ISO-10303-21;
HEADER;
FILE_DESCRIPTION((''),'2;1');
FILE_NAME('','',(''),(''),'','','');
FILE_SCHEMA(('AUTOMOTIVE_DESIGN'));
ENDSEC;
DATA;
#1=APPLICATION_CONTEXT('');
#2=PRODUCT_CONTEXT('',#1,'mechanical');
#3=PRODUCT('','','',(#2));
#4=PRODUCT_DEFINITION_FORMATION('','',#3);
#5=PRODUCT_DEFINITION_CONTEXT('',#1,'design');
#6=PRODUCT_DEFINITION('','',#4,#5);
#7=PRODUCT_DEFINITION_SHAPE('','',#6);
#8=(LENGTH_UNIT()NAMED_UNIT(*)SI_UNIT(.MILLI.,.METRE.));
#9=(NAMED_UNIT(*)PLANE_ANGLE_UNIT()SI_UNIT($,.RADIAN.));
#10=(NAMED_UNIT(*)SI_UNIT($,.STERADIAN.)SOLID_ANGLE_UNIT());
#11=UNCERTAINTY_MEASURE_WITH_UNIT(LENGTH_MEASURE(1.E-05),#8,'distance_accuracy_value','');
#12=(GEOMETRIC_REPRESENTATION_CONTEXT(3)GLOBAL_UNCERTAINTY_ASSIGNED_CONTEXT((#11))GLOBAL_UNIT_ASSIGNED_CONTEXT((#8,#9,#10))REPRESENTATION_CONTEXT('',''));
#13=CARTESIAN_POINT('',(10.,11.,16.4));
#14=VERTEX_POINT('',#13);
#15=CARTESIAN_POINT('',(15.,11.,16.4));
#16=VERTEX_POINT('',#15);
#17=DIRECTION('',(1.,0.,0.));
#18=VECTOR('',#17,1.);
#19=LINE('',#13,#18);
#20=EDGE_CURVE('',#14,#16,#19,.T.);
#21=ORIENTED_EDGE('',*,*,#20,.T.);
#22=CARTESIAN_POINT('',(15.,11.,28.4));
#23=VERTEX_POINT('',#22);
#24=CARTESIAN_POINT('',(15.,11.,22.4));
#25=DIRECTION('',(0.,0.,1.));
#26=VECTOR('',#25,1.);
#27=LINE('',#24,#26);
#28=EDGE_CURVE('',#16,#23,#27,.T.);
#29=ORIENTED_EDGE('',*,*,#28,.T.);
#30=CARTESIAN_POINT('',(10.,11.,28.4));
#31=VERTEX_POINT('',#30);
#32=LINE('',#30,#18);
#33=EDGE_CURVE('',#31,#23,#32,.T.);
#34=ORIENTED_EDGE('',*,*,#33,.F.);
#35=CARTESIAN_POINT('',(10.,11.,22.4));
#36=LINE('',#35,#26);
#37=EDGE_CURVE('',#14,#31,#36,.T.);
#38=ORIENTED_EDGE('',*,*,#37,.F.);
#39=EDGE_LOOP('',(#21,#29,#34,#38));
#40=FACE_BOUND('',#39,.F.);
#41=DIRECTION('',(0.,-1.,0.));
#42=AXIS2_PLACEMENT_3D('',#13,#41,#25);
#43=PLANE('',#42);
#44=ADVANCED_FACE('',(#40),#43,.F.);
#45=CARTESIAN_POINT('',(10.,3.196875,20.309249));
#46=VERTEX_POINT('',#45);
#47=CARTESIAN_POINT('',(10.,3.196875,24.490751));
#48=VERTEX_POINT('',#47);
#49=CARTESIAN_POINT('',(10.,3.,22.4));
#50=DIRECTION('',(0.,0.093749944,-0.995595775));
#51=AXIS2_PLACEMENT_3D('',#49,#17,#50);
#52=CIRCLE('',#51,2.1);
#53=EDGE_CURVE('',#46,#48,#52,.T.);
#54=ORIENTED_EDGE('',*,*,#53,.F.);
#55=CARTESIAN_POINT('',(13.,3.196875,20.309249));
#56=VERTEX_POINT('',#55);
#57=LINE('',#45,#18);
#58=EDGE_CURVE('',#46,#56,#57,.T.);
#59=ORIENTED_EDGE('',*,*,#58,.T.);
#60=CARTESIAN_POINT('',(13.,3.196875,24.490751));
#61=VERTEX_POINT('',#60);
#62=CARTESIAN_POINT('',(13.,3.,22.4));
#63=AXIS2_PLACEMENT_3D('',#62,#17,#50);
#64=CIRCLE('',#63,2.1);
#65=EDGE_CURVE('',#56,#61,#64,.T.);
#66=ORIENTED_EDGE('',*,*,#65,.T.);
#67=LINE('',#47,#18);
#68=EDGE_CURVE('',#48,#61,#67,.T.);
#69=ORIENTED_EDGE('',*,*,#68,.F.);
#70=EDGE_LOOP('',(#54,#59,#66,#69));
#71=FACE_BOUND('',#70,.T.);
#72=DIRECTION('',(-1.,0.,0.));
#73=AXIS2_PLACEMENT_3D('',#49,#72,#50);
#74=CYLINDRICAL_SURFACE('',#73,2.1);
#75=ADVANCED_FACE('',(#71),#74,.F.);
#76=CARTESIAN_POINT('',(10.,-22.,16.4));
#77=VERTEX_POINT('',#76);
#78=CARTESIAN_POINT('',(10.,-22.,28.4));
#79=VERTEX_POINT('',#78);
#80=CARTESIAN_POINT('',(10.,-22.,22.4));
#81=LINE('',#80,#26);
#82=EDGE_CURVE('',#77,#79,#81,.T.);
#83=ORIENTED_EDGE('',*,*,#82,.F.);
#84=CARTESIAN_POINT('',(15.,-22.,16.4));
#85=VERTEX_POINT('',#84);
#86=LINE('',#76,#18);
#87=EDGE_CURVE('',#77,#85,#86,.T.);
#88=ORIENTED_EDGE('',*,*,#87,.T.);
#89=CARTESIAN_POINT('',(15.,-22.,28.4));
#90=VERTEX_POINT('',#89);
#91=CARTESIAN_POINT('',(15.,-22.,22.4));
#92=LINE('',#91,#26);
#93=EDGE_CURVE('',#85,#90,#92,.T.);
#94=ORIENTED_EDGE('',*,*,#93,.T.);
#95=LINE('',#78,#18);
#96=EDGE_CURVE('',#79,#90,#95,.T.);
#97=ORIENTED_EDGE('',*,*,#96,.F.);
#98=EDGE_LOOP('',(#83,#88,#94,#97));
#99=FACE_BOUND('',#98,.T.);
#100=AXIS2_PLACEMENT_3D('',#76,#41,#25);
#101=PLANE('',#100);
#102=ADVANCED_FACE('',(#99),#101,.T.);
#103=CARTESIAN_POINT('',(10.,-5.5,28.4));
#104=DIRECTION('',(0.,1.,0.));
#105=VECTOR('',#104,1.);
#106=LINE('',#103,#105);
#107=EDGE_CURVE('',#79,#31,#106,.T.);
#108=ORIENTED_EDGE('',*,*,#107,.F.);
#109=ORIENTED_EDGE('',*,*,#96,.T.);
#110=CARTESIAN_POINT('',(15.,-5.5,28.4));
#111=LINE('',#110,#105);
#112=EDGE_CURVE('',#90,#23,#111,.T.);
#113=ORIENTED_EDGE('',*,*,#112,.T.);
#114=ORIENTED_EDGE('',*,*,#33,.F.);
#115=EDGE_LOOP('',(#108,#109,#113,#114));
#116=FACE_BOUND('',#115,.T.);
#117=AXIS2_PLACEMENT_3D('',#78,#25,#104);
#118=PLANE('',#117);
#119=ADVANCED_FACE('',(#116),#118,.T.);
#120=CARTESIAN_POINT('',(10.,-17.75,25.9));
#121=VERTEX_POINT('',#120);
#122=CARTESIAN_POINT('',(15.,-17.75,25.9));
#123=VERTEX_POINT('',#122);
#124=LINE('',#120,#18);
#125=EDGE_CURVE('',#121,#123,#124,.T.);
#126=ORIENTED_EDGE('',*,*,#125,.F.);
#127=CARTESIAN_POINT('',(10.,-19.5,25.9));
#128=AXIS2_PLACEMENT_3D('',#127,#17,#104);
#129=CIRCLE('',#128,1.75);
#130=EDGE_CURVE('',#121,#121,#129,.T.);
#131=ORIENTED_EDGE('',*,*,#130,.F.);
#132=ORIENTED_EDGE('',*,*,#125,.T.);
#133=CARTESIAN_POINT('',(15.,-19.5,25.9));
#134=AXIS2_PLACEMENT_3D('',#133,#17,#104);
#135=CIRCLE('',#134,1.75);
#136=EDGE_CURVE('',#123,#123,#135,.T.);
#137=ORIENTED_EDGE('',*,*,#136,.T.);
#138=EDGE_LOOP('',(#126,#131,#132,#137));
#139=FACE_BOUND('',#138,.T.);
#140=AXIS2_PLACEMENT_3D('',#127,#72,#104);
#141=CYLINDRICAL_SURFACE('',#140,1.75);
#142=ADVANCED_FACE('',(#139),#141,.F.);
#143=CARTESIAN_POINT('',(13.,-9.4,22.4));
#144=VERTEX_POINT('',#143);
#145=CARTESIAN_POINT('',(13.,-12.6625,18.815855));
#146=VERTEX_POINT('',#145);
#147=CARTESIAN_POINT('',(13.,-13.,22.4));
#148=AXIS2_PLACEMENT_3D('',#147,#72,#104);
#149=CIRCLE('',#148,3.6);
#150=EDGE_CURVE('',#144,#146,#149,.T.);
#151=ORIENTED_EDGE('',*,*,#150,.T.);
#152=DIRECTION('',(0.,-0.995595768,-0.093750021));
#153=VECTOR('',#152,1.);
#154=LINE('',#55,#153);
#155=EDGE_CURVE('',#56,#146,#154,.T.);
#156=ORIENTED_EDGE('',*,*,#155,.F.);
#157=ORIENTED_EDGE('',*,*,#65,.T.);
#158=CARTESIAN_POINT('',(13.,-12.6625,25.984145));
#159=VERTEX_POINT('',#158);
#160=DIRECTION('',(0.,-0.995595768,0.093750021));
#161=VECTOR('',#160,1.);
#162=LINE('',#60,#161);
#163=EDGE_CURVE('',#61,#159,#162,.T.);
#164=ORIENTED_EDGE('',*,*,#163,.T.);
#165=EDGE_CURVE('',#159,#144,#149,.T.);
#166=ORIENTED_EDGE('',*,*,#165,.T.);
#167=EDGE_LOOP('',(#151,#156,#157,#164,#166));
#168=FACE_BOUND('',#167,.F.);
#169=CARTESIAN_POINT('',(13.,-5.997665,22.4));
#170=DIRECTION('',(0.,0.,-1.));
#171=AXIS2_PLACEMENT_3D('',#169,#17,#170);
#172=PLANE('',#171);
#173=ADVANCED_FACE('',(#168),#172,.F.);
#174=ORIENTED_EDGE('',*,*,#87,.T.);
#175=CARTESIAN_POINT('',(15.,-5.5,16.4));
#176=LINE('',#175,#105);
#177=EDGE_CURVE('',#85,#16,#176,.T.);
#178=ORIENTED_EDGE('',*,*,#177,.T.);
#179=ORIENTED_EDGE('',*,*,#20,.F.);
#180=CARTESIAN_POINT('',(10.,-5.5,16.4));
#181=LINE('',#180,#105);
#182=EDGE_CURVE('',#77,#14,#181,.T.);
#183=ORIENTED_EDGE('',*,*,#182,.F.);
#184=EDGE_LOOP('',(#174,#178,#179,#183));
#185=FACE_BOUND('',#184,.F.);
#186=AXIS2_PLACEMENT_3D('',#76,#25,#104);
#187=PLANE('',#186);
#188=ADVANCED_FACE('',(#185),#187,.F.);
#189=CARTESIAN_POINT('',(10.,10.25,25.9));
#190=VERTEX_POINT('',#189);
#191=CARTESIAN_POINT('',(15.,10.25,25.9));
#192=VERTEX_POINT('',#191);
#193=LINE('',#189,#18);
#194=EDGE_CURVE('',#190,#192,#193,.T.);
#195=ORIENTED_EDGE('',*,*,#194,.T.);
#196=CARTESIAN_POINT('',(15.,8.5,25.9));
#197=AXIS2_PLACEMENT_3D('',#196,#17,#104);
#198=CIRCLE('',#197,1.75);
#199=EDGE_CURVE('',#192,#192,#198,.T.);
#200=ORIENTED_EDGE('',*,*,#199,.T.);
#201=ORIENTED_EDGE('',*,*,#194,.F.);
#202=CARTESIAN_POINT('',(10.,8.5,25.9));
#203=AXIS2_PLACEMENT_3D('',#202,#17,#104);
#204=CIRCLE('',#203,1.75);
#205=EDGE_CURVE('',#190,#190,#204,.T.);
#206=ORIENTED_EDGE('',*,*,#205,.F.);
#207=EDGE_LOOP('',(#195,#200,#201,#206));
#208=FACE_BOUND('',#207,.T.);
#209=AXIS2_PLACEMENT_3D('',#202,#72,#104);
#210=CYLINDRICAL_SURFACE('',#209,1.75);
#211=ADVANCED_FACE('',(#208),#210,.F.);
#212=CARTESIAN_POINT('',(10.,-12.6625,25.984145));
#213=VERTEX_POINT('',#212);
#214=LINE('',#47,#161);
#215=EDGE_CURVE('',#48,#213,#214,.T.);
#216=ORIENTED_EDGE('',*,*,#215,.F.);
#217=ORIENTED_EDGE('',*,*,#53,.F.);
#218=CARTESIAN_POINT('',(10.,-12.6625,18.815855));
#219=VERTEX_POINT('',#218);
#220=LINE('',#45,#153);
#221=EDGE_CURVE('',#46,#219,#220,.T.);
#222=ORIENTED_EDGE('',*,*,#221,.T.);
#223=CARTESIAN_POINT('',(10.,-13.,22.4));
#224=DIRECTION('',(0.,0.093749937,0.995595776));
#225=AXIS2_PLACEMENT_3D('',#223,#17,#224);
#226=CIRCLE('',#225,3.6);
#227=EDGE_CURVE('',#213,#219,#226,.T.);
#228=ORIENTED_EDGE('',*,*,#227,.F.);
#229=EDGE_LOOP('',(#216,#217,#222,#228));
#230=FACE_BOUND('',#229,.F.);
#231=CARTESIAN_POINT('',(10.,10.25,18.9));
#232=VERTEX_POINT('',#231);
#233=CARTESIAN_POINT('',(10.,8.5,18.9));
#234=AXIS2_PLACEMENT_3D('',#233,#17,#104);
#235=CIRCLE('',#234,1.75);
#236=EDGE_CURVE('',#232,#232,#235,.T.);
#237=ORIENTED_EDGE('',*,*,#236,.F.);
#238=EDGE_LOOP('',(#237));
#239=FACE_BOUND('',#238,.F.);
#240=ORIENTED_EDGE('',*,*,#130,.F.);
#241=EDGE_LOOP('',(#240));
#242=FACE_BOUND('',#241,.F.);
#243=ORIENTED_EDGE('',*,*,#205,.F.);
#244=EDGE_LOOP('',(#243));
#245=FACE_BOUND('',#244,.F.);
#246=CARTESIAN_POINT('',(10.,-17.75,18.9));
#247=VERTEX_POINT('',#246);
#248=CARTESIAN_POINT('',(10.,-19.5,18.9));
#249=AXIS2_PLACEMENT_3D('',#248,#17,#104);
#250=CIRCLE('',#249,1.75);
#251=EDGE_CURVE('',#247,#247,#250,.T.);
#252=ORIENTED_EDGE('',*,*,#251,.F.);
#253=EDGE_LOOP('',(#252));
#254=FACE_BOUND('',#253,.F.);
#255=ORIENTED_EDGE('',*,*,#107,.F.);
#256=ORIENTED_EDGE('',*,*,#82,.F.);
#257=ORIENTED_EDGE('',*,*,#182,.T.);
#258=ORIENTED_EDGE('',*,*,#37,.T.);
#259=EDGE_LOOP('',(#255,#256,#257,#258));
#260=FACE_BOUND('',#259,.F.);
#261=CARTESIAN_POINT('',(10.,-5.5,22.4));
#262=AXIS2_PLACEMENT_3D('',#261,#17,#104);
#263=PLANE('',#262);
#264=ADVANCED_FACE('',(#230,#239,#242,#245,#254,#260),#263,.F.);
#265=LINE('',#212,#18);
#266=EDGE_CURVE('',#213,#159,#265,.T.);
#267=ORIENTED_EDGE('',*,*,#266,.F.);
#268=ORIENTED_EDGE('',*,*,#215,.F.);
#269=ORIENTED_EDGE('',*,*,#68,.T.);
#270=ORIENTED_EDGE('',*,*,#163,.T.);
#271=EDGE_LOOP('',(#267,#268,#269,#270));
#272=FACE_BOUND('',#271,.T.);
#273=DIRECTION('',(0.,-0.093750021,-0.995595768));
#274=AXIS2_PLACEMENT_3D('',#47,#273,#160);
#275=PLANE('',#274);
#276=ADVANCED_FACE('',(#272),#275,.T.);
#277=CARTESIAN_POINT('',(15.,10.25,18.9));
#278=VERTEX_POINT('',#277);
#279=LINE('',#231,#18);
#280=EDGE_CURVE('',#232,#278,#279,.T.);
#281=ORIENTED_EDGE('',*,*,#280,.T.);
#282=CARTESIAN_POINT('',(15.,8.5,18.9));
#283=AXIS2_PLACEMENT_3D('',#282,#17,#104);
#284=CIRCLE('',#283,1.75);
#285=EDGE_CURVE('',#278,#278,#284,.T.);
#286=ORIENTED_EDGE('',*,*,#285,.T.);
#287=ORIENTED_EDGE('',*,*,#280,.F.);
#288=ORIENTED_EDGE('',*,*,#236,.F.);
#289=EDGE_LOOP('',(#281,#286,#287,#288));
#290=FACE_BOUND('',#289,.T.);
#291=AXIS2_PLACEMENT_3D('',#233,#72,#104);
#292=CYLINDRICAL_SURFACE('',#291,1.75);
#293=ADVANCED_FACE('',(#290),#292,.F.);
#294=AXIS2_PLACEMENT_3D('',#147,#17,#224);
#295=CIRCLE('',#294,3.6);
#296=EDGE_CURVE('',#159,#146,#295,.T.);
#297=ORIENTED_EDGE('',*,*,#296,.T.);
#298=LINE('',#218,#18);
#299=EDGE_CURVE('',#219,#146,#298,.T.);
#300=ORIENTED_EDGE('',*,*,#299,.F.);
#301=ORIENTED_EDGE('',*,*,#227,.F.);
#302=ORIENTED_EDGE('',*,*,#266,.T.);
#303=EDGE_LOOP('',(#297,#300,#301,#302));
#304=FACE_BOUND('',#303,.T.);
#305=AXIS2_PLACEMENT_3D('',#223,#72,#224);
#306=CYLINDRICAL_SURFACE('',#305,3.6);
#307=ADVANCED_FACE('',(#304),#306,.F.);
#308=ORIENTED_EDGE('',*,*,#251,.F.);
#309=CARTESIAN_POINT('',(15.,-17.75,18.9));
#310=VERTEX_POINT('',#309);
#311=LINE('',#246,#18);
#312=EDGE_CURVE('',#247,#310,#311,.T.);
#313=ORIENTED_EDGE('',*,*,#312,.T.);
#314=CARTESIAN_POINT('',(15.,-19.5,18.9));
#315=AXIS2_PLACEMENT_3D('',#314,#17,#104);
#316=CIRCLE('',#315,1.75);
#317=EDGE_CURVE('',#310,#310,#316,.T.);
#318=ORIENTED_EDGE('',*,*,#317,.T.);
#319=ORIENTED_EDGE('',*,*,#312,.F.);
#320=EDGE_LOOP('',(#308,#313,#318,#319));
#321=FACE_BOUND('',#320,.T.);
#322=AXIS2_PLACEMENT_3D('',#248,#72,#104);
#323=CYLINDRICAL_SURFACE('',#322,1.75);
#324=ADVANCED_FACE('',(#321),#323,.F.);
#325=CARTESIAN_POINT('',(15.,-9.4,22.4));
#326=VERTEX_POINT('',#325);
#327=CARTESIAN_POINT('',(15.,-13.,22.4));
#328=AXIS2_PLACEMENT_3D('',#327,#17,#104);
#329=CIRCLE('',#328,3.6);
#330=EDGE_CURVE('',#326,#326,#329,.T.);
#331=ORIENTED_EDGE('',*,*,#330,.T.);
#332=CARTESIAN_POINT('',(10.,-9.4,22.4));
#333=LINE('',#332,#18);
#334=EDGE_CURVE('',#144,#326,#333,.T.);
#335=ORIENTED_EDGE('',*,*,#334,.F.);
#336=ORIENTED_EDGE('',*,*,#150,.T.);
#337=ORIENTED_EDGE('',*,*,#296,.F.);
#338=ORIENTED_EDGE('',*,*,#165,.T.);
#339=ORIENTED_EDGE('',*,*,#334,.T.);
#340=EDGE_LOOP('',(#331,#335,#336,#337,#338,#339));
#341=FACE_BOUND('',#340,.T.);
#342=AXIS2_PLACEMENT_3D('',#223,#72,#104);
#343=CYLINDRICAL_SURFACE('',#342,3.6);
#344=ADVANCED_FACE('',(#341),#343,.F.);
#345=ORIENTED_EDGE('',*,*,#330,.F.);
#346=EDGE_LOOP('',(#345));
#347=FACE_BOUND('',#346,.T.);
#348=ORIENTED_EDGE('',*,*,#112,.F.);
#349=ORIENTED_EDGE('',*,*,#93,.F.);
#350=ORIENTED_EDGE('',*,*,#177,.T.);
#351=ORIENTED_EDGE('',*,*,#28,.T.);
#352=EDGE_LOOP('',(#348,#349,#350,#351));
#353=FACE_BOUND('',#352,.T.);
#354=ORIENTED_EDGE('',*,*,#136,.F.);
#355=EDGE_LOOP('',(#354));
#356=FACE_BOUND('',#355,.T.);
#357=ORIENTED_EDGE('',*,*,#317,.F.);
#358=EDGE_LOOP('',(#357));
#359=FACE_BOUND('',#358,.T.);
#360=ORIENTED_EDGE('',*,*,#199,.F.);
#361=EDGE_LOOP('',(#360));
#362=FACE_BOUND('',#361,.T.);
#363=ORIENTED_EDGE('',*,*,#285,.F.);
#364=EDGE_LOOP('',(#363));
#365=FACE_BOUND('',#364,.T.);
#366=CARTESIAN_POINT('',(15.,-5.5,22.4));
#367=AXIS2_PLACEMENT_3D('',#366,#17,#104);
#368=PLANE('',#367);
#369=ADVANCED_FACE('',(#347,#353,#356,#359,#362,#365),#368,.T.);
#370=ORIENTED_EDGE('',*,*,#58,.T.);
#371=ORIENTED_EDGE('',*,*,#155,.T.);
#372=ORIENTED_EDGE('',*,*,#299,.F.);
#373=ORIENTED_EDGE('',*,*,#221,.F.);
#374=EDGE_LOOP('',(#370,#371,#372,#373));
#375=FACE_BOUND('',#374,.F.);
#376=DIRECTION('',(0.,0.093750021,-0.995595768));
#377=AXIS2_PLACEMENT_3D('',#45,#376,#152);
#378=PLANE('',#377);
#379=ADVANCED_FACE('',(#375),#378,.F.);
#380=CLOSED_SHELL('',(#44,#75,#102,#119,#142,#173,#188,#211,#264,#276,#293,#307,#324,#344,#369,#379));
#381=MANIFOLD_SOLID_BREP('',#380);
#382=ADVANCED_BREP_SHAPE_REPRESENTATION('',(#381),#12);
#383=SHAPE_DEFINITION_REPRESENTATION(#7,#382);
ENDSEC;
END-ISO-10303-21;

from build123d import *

# Parameters (mm, degrees)
SKETCH077_W     = 33
SKETCH077_H     = 12
SKETCH077_R     = 1.75
PAD042_DEPTH    = 5
POCKET029_DEPTH = 3
SKETCH079_R     = 3.6
POCKET030_DEPTH = 5


with BuildPart() as part:
    # Sketch077 → Pad042 (new body)
    with BuildSketch(Plane.YZ):
        with Locations((16.5, 6)):
            Rectangle(SKETCH077_W, SKETCH077_H)
        with Locations((2.5, 9.5)):
            Circle(SKETCH077_R, mode=Mode.SUBTRACT)
        with Locations((2.5, 2.5)):
            Circle(SKETCH077_R, mode=Mode.SUBTRACT)
        with Locations((30.5, 9.5)):
            Circle(SKETCH077_R, mode=Mode.SUBTRACT)
        with Locations((30.5, 2.5)):
            Circle(SKETCH077_R, mode=Mode.SUBTRACT)
    extrude(amount=PAD042_DEPTH)

    # Sketch078 → Pocket029 (cut)
    with BuildSketch(Plane(origin=(0, 9, 6), x_dir=(0, 0, -1), z_dir=(1, 0, 0))):
        with BuildLine():
            ThreePointArc((-3.584145, 0.3375), (0, -3.6), (3.584145, 0.3375))
            Line((2.090751, 16.196875), (3.584145, 0.3375))
            ThreePointArc((2.090751, 16.196875), (0, 18.1), (-2.090751, 16.196875))
            Line((-2.090751, 16.196875), (-3.584145, 0.3375))
        make_face()
    extrude(amount=POCKET029_DEPTH, mode=Mode.SUBTRACT)

    # Sketch079 → Pocket030 (cut)
    with BuildSketch(Plane(origin=(0, 9, 6), x_dir=(0, 1, 0), z_dir=(1, 0, 0))):
        Circle(SKETCH079_R)
    extrude(amount=POCKET030_DEPTH, mode=Mode.SUBTRACT)


with BuildPart() as part_1:
    # Body012 placement: moved
    add(part.part.moved(Location((10, -22, 16.4))))


solid = part_1.part
